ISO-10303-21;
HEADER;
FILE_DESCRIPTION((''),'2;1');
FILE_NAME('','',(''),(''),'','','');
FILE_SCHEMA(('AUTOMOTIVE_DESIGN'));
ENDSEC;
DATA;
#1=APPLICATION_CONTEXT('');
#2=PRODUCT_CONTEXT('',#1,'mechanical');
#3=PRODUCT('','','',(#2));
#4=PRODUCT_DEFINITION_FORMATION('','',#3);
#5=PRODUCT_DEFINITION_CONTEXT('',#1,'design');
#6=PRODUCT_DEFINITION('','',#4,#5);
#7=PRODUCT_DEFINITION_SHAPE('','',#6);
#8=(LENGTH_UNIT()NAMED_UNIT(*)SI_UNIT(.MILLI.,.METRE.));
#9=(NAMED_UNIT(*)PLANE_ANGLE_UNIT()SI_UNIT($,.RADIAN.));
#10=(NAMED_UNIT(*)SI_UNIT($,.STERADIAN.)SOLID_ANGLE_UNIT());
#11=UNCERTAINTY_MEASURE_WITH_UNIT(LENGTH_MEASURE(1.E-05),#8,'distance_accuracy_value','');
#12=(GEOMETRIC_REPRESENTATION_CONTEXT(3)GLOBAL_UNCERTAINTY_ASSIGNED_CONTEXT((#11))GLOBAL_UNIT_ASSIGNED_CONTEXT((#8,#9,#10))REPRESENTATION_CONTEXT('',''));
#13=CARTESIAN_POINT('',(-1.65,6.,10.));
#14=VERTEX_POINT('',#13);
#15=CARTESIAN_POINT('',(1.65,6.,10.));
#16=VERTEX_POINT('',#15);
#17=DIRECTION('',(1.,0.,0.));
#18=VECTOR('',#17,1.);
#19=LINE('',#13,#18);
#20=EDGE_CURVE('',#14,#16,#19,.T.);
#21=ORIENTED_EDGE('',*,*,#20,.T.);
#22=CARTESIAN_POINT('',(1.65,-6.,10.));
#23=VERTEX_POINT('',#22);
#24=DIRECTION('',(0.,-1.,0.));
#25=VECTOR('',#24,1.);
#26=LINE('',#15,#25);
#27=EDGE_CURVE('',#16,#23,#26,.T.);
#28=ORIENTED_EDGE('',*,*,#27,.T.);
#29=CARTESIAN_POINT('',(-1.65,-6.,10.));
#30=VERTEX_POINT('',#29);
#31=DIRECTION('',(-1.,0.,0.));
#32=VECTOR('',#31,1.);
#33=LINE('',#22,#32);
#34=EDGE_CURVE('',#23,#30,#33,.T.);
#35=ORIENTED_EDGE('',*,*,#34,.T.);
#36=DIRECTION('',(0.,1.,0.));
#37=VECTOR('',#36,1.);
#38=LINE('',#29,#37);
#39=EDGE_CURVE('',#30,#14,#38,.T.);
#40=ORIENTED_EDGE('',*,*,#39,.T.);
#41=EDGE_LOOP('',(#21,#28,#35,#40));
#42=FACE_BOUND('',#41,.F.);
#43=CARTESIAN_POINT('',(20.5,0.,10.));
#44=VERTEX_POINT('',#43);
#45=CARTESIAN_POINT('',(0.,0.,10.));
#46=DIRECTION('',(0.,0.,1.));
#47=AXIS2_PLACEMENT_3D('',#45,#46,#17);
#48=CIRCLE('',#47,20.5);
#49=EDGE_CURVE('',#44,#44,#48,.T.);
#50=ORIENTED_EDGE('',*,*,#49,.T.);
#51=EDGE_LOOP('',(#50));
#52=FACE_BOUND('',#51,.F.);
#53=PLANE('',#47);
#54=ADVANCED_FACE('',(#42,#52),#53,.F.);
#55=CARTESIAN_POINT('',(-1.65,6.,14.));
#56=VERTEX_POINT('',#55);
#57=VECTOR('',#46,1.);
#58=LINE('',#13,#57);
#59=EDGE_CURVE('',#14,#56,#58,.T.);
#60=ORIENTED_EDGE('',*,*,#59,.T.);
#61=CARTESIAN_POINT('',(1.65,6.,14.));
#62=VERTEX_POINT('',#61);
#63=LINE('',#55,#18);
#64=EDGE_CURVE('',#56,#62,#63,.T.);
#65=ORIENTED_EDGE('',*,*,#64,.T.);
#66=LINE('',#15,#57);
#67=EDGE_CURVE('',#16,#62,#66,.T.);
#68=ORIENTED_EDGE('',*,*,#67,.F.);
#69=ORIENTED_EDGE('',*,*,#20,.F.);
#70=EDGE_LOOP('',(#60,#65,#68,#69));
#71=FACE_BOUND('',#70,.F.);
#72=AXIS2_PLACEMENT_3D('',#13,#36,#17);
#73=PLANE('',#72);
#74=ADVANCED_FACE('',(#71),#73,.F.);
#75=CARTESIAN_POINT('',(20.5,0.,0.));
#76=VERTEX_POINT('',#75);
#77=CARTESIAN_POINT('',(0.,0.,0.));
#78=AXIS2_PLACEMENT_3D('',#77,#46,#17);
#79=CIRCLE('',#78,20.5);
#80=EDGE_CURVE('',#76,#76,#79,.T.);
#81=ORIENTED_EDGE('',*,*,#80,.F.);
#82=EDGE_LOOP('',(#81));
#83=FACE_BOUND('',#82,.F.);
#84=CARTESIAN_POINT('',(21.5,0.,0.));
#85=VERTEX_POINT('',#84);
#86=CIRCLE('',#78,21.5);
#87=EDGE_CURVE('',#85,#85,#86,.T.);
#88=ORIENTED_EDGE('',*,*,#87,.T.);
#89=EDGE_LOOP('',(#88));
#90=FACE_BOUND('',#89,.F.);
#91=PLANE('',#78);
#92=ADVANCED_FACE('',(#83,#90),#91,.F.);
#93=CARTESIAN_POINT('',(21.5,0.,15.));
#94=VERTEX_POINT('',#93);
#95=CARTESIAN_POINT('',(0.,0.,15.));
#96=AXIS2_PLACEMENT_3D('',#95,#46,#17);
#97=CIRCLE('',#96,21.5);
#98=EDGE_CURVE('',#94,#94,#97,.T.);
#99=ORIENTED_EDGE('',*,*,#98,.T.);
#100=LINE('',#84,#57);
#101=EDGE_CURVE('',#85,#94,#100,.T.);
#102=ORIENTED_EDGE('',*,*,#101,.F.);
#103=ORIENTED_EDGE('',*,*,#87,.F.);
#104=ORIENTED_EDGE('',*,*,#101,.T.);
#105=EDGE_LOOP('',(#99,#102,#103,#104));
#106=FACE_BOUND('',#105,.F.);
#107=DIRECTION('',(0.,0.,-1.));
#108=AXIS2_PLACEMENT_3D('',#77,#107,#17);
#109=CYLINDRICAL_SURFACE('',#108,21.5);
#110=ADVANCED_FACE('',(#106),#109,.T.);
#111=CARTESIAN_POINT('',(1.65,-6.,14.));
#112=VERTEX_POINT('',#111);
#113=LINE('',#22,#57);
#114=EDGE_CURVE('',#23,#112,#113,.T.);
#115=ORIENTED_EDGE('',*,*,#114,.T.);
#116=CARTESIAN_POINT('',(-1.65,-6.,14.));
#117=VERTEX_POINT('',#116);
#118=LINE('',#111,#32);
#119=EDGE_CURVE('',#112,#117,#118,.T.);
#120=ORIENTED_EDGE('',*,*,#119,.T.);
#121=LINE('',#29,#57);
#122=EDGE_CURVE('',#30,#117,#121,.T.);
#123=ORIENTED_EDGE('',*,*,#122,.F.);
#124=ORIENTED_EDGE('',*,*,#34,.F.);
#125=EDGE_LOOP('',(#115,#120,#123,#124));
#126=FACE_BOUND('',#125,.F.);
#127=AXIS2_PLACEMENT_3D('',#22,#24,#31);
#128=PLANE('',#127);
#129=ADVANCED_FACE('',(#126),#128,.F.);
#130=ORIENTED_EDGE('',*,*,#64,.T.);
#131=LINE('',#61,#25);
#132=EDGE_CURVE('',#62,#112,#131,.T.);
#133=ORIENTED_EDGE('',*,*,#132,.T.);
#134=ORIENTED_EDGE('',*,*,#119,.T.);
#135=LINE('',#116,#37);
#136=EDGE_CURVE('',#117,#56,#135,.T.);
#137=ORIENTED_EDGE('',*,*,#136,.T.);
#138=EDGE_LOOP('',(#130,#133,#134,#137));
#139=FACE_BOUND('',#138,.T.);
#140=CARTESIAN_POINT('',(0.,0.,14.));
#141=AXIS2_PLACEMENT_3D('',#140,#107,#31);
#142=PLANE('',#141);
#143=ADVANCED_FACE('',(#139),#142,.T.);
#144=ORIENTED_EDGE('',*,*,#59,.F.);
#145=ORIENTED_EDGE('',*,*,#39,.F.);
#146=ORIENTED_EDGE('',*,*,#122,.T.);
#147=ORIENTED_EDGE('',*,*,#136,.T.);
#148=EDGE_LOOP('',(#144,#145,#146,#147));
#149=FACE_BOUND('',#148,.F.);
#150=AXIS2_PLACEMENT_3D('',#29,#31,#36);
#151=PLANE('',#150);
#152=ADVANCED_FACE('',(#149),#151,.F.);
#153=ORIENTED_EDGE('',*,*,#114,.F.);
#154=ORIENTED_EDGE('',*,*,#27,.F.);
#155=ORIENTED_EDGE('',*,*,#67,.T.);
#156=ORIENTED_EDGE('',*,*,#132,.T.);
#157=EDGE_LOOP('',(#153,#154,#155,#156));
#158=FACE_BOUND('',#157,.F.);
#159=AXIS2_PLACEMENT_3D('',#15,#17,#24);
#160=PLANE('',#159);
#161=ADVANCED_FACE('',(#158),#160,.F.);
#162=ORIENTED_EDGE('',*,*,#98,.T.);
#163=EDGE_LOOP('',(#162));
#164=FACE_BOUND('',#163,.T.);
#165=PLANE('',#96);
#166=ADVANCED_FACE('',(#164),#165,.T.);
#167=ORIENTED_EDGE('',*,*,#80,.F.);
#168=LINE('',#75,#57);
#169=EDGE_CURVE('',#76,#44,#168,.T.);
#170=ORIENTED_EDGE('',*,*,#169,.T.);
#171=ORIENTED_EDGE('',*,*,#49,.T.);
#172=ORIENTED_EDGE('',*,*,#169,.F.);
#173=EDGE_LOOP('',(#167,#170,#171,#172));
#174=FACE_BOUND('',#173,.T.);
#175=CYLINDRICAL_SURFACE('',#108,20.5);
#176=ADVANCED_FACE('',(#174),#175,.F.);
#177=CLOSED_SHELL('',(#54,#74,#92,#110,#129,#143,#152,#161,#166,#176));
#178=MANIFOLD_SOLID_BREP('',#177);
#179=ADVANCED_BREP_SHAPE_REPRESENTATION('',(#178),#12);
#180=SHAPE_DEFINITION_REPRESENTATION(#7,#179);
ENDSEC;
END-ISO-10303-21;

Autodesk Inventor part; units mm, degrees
ref_plane "YZ Plane" through (0, 0, 0) normal (1, 0, 0) x (0, 1, 0)
ref_plane "XZ Plane" through (0, 0, 0) normal (0, 1, 0) x (-1, 0, 0)
ref_plane "XY Plane" through (0, 0, 0) normal (0, 0, 1) x (1, 0, 0)
sketch "Esquisse1" plane through (0, 0, 0) normal (0, 0, 1) x (1, 0, 0)
  circle A0 centre (0, 0) radius 20.5
  circle A1 centre (0, 0) radius 21.5
  line L0 (0.7498, -6.187) -> (-0.7498, -6.187)
  line L1 (-0.7498, -6.187) -> (-0.7498, 6.187)
  line L2 (-0.7498, 6.187) -> (0.7498, 6.187)
  line L3 (0.7498, 6.187) -> (0.7498, -6.187)
  line L4 (0.7498, -6.187) -> (-0.7498, 6.187) construction
  line L5 (-0.7498, -6.187) -> (0.7498, 6.187) construction
  point P0 (20.5, 0)
  point P1 (21.5, 0)
  dimension "d0" = 41
  dimension "d1" = 43
  dimension "d16" = 1
extrude "Extrusion1" add sketch "Esquisse1" along normal blind 15 contours A1
sketch "Esquisse2" plane through (0, 0, 15) normal (0, 0, 1) x (1, 0, 0)
  circle A0 centre (0, 0) radius 20.5
extrude "Extrusion2" add sketch "Esquisse2" against normal blind 5
sketch "Esquisse3" plane through (0, 0, 10) normal (0, 0, -1) x (-1, 0, 0)
  line L0 (1.65, 6) -> (-1.65, 6)
  line L1 (-1.65, 6) -> (-1.65, -6)
  line L2 (-1.65, -6) -> (1.65, -6)
  line L3 (1.65, -6) -> (1.65, 6)
  line L4 (1.65, 6) -> (-1.65, -6) construction
  line L5 (-1.65, 6) -> (1.65, -6) construction
  point P0 (0, 0)
  dimension "d8" = 12
  dimension "d9" = 3.3
extrude "Extrusion3" cut sketch "Esquisse3" against normal blind 4
properties part number "Support pasApas"
